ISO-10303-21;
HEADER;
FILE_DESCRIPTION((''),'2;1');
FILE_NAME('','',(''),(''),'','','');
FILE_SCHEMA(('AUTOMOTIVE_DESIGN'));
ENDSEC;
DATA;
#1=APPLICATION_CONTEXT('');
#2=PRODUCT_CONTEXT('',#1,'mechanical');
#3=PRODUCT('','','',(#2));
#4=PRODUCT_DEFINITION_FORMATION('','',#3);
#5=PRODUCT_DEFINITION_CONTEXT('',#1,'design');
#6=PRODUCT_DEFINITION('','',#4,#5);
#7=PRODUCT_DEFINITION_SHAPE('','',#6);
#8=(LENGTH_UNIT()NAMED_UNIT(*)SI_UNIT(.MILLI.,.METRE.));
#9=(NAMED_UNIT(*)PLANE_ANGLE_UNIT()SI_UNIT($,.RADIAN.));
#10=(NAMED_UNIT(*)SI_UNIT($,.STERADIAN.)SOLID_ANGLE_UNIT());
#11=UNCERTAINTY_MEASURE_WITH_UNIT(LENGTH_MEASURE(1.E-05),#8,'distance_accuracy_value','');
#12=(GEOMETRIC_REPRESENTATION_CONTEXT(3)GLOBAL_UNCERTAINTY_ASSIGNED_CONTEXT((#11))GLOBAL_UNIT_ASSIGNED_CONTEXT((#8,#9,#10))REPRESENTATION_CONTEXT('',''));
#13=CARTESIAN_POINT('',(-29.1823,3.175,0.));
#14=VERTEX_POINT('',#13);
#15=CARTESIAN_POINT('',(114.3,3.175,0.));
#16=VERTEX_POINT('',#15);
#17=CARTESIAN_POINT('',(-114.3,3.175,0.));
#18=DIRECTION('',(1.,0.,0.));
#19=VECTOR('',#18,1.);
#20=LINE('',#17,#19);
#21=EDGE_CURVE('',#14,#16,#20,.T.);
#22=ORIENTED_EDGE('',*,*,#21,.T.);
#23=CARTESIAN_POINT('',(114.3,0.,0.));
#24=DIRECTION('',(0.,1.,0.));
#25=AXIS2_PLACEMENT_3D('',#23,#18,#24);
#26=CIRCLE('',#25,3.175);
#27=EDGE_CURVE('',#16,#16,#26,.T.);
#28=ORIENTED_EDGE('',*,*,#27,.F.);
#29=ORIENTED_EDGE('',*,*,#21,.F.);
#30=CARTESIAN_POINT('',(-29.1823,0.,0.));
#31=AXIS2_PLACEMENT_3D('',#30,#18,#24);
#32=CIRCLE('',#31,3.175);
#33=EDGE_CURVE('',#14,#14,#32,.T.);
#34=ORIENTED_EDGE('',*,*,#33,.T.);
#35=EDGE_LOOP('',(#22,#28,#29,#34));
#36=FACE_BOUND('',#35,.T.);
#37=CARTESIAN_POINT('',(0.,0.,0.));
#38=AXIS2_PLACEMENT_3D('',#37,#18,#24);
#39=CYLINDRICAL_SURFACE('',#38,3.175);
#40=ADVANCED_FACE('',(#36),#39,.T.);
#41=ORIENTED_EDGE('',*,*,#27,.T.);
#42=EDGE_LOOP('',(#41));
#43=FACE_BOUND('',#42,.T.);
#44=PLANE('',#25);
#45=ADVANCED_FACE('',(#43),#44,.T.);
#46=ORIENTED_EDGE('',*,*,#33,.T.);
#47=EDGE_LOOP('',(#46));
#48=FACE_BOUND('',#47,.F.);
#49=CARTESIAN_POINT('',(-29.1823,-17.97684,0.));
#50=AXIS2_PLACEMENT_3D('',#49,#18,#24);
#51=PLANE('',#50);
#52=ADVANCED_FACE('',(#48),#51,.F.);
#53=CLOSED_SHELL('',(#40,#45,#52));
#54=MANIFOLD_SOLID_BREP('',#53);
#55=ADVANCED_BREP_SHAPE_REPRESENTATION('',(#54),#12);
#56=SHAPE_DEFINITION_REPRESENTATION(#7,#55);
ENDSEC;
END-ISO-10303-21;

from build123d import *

# Parameters (mm, degrees)
F0_R     = 3.175
F1_DEPTH = 114.3
F2_W     = 91.892056
F2_H     = 41.328339
F3_DEPTH = 12.5


with BuildPart() as f1:
    # F0 (on Right) → F1 (new body, symmetric)
    with BuildSketch(Plane.YZ):
        Circle(F0_R)
    extrude(amount=F1_DEPTH, both=True)

    # F2 (on Top) → F3 (cut, symmetric)
    with BuildSketch(Plane.XY):
        with Locations((-75.128328, 2.68733)):
            Rectangle(F2_W, F2_H)
    extrude(amount=F3_DEPTH, both=True, mode=Mode.SUBTRACT)


solid = f1.part
